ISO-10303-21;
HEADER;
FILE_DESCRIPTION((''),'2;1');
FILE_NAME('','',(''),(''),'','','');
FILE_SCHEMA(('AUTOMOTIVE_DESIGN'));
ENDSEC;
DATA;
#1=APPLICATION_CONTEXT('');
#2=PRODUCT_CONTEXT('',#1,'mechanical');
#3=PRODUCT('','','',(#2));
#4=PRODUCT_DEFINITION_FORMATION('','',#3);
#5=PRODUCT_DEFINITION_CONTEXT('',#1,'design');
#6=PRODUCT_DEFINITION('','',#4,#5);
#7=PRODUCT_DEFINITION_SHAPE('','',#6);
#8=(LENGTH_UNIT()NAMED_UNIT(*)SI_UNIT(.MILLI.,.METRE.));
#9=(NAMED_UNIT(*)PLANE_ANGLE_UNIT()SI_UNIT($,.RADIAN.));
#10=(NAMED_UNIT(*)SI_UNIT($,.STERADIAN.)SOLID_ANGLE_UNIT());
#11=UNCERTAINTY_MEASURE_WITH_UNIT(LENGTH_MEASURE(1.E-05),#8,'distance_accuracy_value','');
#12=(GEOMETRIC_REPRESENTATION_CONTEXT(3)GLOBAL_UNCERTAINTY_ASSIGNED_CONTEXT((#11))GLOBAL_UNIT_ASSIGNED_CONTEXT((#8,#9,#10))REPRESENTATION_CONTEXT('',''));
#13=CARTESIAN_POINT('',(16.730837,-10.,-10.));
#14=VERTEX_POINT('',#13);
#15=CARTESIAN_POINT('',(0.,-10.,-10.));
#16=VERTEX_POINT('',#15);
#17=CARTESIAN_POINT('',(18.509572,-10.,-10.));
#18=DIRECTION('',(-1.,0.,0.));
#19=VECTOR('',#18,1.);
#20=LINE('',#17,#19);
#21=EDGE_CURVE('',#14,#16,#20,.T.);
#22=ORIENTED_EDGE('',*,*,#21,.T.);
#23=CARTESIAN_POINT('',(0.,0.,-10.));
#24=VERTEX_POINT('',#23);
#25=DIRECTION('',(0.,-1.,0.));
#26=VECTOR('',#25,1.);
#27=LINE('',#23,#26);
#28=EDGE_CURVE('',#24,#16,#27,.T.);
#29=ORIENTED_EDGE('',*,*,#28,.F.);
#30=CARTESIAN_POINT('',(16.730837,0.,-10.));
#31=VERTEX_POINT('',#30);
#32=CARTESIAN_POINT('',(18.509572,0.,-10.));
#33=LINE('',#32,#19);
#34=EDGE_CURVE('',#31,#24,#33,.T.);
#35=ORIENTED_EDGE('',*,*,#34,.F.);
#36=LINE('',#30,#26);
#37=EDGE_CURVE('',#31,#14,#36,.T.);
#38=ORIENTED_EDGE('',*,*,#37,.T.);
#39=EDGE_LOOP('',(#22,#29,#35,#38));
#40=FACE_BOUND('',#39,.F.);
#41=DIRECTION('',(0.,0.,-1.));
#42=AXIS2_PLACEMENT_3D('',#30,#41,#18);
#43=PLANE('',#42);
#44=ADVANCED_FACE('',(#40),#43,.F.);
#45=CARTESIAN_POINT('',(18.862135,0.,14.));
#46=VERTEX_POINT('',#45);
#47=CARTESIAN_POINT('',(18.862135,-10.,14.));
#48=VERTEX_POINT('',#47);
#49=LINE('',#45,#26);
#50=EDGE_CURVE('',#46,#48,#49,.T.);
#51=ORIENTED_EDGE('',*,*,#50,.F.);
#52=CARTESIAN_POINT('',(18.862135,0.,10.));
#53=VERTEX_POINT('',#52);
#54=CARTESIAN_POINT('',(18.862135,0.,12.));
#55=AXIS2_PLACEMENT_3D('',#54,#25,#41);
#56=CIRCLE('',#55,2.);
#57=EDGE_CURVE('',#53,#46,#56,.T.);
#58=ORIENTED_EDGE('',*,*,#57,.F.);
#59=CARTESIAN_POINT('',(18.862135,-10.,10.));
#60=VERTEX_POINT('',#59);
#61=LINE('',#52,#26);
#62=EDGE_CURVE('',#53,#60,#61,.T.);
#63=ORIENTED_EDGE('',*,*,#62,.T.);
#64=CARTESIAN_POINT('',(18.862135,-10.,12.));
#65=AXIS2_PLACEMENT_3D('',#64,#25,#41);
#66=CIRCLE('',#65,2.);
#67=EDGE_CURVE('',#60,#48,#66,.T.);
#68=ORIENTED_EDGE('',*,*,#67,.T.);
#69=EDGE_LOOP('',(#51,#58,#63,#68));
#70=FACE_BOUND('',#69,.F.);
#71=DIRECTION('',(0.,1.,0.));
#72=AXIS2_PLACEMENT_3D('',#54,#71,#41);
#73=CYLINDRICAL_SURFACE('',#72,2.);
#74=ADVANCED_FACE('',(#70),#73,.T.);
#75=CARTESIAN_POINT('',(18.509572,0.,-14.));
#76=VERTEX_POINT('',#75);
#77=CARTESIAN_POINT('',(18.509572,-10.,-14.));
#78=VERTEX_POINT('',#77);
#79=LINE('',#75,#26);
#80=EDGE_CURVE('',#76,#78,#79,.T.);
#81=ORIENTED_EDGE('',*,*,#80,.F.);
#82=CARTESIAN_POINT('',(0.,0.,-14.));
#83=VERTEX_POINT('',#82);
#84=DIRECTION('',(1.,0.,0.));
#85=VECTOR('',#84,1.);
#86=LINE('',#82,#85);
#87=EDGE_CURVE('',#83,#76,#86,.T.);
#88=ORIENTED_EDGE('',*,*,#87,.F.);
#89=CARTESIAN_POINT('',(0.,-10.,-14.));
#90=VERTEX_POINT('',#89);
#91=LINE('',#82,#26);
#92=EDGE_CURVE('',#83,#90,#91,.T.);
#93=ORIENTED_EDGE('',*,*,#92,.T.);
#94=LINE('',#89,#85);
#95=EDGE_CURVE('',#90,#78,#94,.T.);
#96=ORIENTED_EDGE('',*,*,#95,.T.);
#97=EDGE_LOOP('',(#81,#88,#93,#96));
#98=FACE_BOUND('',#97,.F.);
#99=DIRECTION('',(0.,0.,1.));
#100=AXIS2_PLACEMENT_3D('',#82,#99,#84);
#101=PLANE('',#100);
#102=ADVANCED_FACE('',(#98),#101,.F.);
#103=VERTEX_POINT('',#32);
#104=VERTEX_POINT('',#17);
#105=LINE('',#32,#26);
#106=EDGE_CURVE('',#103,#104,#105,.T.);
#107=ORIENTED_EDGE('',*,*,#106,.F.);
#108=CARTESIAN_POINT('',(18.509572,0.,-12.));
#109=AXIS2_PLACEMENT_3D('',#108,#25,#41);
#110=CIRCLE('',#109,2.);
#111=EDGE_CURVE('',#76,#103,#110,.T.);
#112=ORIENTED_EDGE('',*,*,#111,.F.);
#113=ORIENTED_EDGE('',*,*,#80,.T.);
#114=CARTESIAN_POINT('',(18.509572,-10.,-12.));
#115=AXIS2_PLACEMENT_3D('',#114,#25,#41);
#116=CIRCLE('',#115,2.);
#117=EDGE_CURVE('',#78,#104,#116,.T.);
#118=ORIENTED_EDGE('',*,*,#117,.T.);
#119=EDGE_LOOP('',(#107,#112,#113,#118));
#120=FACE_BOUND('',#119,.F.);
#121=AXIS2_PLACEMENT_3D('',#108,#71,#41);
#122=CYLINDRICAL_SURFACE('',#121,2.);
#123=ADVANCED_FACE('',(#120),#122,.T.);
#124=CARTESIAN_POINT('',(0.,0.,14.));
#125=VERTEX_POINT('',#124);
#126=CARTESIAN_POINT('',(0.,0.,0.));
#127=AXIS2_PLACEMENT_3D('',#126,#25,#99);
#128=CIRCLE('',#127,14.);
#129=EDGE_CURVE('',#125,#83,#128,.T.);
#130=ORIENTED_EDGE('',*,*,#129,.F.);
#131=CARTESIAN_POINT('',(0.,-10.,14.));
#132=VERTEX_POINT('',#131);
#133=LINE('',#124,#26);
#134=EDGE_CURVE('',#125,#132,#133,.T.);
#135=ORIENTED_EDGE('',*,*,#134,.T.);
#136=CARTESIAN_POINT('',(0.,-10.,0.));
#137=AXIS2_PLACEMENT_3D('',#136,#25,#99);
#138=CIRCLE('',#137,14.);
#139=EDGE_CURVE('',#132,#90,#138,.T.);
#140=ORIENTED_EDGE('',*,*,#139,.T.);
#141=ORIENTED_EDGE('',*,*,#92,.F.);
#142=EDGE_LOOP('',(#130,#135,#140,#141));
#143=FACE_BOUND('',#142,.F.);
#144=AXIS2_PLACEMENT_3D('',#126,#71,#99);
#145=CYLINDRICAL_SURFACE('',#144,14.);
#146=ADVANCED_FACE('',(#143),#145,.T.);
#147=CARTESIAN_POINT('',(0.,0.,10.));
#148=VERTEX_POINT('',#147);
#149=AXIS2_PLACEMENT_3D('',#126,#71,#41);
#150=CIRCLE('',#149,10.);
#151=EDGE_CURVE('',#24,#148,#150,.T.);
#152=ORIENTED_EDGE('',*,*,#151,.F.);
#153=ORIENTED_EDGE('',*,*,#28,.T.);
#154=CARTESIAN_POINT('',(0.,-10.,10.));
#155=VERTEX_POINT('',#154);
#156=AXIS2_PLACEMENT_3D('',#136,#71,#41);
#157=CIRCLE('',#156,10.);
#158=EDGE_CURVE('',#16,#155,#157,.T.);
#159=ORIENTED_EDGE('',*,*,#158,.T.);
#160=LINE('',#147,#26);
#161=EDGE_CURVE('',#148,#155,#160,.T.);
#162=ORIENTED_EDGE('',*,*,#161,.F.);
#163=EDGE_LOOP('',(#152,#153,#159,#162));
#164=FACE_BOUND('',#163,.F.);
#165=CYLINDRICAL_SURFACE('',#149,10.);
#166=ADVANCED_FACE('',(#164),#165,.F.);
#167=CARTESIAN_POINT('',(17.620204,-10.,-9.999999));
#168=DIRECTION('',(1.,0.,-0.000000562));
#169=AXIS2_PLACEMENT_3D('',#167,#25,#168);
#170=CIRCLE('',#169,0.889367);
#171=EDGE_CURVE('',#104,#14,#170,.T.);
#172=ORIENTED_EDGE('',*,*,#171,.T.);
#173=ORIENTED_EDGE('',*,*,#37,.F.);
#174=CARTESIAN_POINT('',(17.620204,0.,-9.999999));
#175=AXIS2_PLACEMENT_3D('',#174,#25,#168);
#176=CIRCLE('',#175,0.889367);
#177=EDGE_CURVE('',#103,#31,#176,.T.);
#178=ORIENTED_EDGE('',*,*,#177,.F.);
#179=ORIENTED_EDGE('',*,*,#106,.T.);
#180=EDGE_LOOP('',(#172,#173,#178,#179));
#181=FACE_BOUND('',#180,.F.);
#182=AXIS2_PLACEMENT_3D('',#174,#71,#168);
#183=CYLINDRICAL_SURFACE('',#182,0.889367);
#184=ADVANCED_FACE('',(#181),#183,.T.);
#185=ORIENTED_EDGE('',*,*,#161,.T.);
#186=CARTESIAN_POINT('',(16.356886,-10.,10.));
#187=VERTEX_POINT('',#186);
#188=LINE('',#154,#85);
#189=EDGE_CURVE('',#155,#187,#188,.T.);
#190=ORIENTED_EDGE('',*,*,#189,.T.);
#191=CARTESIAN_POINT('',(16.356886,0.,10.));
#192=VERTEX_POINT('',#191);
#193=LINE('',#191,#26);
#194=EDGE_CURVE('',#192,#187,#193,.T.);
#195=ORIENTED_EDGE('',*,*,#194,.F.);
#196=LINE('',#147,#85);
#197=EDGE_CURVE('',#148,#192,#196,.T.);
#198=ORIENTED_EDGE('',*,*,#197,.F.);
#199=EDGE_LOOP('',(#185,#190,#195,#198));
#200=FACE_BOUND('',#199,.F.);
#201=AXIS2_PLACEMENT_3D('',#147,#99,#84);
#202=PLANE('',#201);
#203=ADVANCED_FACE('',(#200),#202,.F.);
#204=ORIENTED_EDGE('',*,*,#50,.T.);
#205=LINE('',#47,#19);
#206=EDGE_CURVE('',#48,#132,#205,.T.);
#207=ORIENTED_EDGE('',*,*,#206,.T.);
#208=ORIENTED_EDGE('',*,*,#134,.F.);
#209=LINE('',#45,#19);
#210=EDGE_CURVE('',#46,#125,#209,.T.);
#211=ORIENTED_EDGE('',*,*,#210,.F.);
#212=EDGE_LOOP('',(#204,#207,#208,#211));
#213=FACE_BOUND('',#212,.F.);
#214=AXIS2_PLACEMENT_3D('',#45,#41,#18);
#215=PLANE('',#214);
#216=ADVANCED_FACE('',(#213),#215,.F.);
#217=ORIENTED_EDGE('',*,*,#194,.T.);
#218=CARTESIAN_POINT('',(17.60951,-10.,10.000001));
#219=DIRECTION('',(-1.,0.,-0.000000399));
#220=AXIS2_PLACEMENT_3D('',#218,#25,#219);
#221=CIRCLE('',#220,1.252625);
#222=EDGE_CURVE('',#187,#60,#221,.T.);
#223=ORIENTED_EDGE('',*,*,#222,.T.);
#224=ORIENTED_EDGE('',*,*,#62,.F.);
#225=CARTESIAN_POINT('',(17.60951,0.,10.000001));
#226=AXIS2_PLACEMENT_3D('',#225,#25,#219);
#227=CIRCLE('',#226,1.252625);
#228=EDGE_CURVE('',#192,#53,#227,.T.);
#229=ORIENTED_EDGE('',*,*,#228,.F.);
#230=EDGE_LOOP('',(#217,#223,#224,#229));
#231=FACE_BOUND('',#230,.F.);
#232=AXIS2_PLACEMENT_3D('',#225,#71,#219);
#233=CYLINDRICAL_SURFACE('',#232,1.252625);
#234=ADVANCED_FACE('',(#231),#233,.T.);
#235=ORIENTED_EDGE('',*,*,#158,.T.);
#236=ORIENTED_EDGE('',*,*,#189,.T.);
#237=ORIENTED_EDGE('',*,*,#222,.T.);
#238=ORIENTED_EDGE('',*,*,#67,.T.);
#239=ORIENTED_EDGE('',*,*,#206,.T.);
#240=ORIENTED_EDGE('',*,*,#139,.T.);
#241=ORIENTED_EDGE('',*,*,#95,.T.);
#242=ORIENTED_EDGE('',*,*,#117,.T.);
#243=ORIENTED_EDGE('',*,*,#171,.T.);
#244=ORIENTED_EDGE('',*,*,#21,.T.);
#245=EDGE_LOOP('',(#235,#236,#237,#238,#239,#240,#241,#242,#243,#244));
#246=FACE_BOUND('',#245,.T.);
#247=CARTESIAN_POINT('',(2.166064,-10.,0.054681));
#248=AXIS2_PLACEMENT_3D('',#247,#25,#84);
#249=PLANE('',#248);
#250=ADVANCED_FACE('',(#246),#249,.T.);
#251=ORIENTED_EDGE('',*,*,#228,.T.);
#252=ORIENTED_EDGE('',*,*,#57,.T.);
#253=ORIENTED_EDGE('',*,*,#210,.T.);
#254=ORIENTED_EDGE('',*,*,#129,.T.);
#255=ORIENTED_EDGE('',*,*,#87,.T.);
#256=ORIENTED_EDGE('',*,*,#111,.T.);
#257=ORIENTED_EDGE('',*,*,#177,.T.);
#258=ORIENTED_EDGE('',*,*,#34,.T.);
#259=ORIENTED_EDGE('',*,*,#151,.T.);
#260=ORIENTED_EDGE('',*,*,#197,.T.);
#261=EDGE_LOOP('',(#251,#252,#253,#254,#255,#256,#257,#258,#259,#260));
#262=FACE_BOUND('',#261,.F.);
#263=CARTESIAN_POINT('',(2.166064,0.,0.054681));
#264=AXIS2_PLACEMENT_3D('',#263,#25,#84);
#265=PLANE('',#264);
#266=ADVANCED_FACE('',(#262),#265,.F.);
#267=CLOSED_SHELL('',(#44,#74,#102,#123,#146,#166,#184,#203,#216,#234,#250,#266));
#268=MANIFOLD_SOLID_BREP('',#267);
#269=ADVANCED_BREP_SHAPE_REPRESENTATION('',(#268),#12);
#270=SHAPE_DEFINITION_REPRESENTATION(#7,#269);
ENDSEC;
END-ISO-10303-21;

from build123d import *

# Parameters (mm, degrees)
F1_DEPTH = 10


with BuildPart() as f1:
    # F0 (on Front) → F1 (new body)
    with BuildSketch(Plane.XZ):
        with BuildLine():
            ThreePointArc((0, -10), (-10, 0), (0, 10))
            Line((0, 10), (16.356886, 10))
            Line((16.356886, 10), (18.862135, 10))
            Line((18.862135, 10), (18.862135, 14))
            Line((18.862135, 14), (0, 14))
            ThreePointArc((0, 14), (-14, 0), (0, -14))
            Line((0, -14), (18.509572, -14))
            Line((18.509572, -14), (18.509572, -10))
            Line((18.509572, -10), (16.730837, -10))
            Line((16.730837, -10), (0, -10))
        make_face()
        with BuildLine():
            Line((18.862135, 14), (18.862135, 10))
            ThreePointArc((18.862135, 10), (20.862135, 12), (18.862135, 14))
        make_face()
        with BuildLine():
            Line((18.862135, 10), (16.356886, 10))
            ThreePointArc((16.356886, 10), (17.60951, 8.747376), (18.862135, 10))
        make_face()
        with BuildLine():
            ThreePointArc((18.509572, -14), (20.509572, -12), (18.509572, -10))
            Line((18.509572, -10), (18.509572, -14))
        make_face()
        with BuildLine():
            ThreePointArc((18.509572, -10), (17.620205, -9.110632), (16.730837, -10))
            Line((16.730837, -10), (18.509572, -10))
        make_face()
    extrude(amount=F1_DEPTH)


solid = f1.part
